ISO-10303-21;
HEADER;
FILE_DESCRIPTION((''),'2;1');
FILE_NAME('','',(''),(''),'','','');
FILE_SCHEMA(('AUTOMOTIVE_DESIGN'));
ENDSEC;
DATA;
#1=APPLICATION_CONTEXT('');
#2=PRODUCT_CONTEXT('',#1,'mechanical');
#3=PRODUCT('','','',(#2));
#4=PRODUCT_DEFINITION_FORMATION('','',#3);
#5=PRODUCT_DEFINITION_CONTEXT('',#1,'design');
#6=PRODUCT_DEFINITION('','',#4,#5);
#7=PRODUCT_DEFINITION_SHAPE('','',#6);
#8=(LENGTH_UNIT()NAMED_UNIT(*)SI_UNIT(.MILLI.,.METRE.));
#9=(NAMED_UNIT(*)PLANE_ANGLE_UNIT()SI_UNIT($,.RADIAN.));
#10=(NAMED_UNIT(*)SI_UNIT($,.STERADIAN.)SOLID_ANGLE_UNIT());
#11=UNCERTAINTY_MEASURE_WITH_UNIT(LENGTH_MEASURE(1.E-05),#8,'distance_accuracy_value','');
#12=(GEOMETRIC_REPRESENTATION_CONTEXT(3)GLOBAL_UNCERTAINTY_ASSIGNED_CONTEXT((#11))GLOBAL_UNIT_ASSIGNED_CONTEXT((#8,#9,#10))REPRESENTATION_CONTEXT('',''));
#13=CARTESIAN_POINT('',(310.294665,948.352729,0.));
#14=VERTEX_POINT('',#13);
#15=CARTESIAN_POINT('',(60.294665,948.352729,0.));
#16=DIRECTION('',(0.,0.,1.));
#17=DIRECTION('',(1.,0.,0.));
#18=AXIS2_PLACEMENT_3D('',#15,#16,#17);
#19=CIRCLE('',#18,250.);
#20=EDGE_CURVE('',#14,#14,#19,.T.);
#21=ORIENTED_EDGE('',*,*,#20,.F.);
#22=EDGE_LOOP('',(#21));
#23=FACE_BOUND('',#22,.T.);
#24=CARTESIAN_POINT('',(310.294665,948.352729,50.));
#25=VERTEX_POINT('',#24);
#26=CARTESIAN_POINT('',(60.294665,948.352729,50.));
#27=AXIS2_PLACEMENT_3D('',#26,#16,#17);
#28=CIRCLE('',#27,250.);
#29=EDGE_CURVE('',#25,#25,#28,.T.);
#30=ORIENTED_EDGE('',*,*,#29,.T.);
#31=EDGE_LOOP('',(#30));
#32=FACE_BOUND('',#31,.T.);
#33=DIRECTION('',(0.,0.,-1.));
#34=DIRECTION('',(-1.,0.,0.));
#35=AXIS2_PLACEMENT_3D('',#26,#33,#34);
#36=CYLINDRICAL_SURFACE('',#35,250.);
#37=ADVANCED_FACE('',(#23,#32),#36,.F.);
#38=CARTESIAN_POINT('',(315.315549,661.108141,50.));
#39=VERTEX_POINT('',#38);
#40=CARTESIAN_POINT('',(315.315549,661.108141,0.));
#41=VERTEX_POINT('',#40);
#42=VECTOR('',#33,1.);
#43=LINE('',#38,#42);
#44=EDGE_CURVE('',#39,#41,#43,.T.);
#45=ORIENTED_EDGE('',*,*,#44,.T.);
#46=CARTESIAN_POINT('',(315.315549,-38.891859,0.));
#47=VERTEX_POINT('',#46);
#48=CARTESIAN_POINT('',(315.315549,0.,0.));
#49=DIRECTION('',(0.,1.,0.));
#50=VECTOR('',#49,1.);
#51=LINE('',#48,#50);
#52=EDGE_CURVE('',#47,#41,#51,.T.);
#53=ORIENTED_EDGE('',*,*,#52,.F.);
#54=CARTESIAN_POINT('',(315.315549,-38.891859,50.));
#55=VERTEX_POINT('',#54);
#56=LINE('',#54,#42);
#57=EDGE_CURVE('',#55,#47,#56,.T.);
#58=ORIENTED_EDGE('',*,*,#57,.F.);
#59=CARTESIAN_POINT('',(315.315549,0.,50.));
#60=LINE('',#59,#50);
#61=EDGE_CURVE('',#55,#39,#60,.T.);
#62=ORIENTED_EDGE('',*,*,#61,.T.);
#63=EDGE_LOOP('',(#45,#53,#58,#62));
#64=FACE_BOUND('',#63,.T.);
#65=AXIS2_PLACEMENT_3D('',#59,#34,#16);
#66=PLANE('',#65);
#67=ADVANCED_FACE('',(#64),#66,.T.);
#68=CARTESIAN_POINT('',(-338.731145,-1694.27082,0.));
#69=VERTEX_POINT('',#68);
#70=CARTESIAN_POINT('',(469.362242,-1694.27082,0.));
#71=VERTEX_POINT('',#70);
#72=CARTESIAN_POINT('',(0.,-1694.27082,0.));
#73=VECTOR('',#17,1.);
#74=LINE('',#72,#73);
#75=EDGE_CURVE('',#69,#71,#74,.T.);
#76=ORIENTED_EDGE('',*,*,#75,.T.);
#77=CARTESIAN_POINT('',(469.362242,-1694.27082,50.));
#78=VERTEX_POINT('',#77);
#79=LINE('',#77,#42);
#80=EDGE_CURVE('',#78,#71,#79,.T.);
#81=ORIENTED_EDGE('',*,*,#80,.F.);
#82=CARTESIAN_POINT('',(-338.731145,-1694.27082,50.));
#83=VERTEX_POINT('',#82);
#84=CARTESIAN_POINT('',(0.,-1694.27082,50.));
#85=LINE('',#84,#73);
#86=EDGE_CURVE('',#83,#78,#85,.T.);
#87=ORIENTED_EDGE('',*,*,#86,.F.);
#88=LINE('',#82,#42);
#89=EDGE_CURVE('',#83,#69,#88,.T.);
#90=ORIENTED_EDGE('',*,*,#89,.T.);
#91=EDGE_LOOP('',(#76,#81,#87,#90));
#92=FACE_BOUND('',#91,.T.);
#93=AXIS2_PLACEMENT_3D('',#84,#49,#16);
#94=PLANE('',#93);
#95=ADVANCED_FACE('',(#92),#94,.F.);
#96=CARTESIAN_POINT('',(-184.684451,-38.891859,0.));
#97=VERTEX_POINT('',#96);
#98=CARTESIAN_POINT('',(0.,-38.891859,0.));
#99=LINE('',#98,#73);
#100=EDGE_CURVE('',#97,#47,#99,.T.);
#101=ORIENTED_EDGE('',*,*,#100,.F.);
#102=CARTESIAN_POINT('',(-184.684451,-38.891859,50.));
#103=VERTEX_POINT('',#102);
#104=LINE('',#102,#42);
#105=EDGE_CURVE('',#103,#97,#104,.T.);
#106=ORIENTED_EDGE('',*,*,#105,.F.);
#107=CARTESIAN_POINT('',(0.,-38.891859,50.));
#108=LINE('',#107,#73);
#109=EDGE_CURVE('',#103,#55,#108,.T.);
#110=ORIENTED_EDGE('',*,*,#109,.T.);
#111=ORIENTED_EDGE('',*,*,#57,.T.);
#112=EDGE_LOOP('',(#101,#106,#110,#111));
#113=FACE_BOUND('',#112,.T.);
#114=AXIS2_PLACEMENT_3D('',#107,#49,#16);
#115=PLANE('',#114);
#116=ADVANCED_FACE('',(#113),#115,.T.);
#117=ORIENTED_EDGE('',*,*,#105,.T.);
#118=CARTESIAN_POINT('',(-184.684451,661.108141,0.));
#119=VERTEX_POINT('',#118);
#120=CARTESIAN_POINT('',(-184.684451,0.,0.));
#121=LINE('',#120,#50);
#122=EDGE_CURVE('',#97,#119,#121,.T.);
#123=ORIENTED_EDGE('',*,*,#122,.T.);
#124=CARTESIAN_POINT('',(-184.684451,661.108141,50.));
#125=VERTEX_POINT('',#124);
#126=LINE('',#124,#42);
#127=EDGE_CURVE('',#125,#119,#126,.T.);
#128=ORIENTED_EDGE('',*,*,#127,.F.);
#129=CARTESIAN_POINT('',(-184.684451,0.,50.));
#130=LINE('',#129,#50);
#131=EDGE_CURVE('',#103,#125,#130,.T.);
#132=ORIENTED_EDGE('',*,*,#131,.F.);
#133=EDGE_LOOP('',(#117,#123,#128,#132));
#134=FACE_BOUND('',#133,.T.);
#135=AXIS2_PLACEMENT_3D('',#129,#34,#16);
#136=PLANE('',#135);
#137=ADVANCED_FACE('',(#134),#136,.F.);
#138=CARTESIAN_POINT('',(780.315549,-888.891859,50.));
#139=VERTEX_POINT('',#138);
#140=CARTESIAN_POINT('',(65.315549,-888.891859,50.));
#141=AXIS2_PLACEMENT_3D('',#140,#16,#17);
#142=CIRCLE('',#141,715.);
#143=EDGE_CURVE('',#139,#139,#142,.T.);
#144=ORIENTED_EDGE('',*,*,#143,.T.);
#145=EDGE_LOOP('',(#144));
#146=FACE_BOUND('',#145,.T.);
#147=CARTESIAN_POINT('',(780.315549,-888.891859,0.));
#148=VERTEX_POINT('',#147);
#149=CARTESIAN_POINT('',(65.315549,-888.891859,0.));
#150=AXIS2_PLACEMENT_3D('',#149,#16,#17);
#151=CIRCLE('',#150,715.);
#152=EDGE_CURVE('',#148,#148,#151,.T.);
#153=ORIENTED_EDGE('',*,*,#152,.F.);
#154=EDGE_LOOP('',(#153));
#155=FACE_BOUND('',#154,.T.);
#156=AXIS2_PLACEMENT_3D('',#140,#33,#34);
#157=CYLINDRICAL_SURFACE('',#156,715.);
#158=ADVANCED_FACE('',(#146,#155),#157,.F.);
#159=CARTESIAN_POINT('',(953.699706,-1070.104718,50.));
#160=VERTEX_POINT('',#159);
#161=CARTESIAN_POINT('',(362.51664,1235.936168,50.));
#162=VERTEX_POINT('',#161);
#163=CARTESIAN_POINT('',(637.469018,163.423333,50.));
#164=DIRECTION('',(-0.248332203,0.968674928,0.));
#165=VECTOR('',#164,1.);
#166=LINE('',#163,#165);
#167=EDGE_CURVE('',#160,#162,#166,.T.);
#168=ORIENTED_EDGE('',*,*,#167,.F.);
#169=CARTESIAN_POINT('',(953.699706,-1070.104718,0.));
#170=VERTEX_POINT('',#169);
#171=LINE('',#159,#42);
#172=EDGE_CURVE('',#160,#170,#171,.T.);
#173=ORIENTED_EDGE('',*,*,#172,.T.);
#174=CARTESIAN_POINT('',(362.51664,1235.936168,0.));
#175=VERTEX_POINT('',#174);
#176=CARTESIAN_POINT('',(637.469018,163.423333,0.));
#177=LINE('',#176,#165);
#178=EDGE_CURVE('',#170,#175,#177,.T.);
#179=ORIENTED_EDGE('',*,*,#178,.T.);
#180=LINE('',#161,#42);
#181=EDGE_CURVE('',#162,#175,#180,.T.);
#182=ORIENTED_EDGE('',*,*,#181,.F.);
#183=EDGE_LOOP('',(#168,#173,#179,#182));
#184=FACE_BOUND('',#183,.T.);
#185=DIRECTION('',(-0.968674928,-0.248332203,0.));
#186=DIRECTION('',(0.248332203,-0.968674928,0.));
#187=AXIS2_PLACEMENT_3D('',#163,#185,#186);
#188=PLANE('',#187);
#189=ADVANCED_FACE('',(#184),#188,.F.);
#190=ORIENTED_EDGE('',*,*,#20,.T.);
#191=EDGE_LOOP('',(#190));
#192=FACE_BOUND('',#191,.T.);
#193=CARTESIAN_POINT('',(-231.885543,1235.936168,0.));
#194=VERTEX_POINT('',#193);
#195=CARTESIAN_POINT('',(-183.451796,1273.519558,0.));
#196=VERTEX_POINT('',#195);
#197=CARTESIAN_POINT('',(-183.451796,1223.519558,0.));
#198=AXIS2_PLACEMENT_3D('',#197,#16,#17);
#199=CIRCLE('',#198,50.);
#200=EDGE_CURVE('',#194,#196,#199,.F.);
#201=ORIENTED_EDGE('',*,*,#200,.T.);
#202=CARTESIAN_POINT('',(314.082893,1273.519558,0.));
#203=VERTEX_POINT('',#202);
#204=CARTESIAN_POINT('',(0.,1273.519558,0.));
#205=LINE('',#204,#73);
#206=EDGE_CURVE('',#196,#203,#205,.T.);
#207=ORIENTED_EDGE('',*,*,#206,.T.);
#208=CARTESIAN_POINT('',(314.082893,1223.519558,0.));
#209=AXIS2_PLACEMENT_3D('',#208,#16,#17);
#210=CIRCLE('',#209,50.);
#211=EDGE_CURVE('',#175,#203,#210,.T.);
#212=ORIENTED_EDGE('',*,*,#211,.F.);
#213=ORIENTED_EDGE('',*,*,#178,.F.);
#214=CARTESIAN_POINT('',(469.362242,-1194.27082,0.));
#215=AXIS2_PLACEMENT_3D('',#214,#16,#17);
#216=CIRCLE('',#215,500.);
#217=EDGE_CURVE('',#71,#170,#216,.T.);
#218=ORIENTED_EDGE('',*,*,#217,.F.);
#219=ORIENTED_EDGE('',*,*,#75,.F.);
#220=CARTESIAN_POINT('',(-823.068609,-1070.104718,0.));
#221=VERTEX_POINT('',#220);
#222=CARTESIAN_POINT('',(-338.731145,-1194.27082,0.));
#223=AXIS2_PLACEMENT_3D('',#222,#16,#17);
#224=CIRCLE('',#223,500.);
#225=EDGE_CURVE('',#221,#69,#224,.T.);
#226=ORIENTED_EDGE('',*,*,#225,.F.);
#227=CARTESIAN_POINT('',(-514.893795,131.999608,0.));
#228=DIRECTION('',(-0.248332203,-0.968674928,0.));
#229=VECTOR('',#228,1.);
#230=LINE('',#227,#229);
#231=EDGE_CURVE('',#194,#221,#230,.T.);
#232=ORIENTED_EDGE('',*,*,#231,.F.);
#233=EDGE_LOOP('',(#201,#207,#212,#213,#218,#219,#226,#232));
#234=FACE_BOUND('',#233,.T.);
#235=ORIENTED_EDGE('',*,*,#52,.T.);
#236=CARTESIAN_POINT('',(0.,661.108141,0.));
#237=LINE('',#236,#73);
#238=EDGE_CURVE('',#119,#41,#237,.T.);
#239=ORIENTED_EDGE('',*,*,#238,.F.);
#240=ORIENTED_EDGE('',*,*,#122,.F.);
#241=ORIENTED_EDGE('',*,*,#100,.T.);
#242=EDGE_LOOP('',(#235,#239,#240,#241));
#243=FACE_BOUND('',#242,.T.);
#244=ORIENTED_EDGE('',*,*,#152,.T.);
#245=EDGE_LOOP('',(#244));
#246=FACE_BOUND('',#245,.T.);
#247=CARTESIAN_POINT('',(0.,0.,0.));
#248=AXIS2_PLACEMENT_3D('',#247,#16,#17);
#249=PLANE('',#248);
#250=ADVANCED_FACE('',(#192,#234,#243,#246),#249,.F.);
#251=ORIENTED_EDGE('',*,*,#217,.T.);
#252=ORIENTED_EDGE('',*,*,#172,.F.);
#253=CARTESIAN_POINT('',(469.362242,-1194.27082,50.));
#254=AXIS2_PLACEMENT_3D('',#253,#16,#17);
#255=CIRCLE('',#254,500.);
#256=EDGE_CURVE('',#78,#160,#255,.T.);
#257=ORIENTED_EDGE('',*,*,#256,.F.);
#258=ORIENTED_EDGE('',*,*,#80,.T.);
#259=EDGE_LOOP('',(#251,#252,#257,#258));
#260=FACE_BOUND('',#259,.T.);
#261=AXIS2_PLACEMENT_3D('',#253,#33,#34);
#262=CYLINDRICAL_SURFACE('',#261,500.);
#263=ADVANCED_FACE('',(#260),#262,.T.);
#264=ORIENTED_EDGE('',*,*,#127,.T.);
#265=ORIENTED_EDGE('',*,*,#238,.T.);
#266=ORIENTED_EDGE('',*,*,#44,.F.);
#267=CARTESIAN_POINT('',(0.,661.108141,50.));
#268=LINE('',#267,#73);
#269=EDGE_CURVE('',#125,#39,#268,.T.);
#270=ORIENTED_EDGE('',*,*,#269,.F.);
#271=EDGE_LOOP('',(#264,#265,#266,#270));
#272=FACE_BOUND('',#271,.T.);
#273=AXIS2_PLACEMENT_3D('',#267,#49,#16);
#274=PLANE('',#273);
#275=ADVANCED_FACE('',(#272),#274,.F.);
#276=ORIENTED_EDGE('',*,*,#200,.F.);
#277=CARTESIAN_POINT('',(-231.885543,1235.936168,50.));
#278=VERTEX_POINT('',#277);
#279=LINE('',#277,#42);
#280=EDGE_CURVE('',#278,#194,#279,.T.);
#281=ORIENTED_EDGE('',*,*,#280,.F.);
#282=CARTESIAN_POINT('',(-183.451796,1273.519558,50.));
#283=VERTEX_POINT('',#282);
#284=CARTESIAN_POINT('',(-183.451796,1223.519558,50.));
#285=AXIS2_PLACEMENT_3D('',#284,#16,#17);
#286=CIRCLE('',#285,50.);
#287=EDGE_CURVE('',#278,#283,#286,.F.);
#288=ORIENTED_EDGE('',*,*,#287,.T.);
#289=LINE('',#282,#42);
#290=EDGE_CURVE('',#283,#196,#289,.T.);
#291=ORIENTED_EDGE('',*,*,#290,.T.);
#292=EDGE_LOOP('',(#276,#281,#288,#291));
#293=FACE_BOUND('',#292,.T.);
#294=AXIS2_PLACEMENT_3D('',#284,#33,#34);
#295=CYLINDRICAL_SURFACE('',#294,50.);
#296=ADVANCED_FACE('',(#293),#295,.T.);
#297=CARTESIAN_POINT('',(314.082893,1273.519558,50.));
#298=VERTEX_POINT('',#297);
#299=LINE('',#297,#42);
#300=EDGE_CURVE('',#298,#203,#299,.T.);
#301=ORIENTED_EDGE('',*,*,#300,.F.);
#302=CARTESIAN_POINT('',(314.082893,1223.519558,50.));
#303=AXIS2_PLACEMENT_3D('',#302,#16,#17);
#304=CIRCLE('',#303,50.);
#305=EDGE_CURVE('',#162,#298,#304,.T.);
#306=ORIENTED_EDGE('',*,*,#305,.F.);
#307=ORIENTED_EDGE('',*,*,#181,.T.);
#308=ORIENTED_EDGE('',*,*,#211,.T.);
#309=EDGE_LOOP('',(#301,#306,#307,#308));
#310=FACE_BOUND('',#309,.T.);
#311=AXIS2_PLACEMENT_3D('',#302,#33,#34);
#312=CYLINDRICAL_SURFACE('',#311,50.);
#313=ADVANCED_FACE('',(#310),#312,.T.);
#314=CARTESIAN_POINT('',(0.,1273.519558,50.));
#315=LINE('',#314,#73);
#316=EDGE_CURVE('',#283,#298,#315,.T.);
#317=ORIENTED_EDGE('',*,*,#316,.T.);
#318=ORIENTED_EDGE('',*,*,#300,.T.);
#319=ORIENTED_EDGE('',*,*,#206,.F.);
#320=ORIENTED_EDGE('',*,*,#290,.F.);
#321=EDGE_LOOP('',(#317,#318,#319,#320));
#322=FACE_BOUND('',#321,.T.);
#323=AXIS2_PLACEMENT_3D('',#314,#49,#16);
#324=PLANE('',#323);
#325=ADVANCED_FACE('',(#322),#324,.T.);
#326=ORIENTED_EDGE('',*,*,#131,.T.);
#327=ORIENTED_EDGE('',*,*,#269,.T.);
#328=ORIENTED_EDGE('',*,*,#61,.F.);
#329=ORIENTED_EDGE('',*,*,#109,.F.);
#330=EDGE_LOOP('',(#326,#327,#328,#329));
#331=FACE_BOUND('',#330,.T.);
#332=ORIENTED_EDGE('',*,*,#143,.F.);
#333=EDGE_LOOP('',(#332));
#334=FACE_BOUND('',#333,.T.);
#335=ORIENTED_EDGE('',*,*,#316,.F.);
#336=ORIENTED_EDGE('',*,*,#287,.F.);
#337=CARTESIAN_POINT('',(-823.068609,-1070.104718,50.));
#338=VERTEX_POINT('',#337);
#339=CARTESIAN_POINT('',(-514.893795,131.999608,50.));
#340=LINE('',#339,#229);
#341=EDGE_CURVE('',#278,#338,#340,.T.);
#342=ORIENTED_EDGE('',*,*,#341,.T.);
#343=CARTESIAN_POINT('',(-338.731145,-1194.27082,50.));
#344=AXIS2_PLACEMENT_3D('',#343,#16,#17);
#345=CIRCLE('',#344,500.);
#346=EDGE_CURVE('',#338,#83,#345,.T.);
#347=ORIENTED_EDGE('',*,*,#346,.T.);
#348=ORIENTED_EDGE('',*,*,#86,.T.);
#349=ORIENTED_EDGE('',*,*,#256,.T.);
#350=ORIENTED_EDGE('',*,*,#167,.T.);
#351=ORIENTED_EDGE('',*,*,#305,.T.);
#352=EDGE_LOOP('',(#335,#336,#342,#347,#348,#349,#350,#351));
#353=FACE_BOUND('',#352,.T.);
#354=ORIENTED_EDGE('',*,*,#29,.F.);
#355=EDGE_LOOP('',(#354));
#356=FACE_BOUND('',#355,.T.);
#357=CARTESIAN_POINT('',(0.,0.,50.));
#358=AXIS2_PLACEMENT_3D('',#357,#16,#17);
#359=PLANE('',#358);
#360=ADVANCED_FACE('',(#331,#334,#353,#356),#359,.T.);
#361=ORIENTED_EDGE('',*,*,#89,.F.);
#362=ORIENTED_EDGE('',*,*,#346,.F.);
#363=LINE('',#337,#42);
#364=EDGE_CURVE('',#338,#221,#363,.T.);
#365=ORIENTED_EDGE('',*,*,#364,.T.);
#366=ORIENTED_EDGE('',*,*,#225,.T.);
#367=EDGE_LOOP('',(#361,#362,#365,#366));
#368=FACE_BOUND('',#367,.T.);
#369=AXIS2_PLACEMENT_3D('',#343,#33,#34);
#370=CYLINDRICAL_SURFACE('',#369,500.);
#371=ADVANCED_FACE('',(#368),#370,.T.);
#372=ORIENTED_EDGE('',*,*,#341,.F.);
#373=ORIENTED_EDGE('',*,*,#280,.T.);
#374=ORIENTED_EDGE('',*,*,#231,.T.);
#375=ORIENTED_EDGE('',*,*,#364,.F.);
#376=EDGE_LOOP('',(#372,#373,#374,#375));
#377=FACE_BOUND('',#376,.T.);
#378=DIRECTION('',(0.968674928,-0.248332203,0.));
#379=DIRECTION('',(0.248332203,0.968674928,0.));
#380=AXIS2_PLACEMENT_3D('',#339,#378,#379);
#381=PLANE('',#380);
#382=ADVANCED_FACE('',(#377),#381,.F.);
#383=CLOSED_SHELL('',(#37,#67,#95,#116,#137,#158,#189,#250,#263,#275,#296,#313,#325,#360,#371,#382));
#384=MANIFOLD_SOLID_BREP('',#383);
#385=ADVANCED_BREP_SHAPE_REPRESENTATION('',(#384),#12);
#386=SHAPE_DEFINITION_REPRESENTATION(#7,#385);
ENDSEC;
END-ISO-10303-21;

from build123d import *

# Parameters (mm, degrees)
SKETCH3_R           = 250
SKETCH3_R_2         = 715
SKETCH3_W           = 500
SKETCH3_H           = 700
BOSS_EXTRUDE1_DEPTH = 50


with BuildPart() as part:
    # Sketch3 → Boss-Extrude1 (new body)
    with BuildSketch(Plane.XY):
        with BuildLine():
            Line((953.699706136, -1070.104718306), (362.516639902, 1235.936167947))
            ThreePointArc((362.516639902, 1235.936167947), (344.735540122, 1263.021649549), (314.082893486, 1273.519557779))
            Line((314.082893486, 1273.519557779), (-183.451796134, 1273.519557779))
            ThreePointArc((-183.451796134, 1273.519557779), (-214.10444277, 1263.021649549), (-231.885542551, 1235.936167947))
            Line((-231.885542551, 1235.936167947), (-823.068608784, -1070.104718306))
            ThreePointArc((-823.068608784, -1070.104718306), (-733.752062318, -1500.797286347), (-338.731144619, -1694.270819985))
            Line((-338.731144619, -1694.270819985), (469.362241971, -1694.270819985))
            ThreePointArc((469.362241971, -1694.270819985), (864.383159669, -1500.797286347), (953.699706136, -1070.104718306))
        make_face()
        with Locations((60.29466546, 948.352728731)):
            Circle(SKETCH3_R, mode=Mode.SUBTRACT)
        with Locations((65.315548676, -888.891859179)):
            Circle(SKETCH3_R_2, mode=Mode.SUBTRACT)
        with Locations((65.315548676, 311.108140821)):
            Rectangle(SKETCH3_W, SKETCH3_H, mode=Mode.SUBTRACT)
    extrude(amount=BOSS_EXTRUDE1_DEPTH)


solid = part.part
